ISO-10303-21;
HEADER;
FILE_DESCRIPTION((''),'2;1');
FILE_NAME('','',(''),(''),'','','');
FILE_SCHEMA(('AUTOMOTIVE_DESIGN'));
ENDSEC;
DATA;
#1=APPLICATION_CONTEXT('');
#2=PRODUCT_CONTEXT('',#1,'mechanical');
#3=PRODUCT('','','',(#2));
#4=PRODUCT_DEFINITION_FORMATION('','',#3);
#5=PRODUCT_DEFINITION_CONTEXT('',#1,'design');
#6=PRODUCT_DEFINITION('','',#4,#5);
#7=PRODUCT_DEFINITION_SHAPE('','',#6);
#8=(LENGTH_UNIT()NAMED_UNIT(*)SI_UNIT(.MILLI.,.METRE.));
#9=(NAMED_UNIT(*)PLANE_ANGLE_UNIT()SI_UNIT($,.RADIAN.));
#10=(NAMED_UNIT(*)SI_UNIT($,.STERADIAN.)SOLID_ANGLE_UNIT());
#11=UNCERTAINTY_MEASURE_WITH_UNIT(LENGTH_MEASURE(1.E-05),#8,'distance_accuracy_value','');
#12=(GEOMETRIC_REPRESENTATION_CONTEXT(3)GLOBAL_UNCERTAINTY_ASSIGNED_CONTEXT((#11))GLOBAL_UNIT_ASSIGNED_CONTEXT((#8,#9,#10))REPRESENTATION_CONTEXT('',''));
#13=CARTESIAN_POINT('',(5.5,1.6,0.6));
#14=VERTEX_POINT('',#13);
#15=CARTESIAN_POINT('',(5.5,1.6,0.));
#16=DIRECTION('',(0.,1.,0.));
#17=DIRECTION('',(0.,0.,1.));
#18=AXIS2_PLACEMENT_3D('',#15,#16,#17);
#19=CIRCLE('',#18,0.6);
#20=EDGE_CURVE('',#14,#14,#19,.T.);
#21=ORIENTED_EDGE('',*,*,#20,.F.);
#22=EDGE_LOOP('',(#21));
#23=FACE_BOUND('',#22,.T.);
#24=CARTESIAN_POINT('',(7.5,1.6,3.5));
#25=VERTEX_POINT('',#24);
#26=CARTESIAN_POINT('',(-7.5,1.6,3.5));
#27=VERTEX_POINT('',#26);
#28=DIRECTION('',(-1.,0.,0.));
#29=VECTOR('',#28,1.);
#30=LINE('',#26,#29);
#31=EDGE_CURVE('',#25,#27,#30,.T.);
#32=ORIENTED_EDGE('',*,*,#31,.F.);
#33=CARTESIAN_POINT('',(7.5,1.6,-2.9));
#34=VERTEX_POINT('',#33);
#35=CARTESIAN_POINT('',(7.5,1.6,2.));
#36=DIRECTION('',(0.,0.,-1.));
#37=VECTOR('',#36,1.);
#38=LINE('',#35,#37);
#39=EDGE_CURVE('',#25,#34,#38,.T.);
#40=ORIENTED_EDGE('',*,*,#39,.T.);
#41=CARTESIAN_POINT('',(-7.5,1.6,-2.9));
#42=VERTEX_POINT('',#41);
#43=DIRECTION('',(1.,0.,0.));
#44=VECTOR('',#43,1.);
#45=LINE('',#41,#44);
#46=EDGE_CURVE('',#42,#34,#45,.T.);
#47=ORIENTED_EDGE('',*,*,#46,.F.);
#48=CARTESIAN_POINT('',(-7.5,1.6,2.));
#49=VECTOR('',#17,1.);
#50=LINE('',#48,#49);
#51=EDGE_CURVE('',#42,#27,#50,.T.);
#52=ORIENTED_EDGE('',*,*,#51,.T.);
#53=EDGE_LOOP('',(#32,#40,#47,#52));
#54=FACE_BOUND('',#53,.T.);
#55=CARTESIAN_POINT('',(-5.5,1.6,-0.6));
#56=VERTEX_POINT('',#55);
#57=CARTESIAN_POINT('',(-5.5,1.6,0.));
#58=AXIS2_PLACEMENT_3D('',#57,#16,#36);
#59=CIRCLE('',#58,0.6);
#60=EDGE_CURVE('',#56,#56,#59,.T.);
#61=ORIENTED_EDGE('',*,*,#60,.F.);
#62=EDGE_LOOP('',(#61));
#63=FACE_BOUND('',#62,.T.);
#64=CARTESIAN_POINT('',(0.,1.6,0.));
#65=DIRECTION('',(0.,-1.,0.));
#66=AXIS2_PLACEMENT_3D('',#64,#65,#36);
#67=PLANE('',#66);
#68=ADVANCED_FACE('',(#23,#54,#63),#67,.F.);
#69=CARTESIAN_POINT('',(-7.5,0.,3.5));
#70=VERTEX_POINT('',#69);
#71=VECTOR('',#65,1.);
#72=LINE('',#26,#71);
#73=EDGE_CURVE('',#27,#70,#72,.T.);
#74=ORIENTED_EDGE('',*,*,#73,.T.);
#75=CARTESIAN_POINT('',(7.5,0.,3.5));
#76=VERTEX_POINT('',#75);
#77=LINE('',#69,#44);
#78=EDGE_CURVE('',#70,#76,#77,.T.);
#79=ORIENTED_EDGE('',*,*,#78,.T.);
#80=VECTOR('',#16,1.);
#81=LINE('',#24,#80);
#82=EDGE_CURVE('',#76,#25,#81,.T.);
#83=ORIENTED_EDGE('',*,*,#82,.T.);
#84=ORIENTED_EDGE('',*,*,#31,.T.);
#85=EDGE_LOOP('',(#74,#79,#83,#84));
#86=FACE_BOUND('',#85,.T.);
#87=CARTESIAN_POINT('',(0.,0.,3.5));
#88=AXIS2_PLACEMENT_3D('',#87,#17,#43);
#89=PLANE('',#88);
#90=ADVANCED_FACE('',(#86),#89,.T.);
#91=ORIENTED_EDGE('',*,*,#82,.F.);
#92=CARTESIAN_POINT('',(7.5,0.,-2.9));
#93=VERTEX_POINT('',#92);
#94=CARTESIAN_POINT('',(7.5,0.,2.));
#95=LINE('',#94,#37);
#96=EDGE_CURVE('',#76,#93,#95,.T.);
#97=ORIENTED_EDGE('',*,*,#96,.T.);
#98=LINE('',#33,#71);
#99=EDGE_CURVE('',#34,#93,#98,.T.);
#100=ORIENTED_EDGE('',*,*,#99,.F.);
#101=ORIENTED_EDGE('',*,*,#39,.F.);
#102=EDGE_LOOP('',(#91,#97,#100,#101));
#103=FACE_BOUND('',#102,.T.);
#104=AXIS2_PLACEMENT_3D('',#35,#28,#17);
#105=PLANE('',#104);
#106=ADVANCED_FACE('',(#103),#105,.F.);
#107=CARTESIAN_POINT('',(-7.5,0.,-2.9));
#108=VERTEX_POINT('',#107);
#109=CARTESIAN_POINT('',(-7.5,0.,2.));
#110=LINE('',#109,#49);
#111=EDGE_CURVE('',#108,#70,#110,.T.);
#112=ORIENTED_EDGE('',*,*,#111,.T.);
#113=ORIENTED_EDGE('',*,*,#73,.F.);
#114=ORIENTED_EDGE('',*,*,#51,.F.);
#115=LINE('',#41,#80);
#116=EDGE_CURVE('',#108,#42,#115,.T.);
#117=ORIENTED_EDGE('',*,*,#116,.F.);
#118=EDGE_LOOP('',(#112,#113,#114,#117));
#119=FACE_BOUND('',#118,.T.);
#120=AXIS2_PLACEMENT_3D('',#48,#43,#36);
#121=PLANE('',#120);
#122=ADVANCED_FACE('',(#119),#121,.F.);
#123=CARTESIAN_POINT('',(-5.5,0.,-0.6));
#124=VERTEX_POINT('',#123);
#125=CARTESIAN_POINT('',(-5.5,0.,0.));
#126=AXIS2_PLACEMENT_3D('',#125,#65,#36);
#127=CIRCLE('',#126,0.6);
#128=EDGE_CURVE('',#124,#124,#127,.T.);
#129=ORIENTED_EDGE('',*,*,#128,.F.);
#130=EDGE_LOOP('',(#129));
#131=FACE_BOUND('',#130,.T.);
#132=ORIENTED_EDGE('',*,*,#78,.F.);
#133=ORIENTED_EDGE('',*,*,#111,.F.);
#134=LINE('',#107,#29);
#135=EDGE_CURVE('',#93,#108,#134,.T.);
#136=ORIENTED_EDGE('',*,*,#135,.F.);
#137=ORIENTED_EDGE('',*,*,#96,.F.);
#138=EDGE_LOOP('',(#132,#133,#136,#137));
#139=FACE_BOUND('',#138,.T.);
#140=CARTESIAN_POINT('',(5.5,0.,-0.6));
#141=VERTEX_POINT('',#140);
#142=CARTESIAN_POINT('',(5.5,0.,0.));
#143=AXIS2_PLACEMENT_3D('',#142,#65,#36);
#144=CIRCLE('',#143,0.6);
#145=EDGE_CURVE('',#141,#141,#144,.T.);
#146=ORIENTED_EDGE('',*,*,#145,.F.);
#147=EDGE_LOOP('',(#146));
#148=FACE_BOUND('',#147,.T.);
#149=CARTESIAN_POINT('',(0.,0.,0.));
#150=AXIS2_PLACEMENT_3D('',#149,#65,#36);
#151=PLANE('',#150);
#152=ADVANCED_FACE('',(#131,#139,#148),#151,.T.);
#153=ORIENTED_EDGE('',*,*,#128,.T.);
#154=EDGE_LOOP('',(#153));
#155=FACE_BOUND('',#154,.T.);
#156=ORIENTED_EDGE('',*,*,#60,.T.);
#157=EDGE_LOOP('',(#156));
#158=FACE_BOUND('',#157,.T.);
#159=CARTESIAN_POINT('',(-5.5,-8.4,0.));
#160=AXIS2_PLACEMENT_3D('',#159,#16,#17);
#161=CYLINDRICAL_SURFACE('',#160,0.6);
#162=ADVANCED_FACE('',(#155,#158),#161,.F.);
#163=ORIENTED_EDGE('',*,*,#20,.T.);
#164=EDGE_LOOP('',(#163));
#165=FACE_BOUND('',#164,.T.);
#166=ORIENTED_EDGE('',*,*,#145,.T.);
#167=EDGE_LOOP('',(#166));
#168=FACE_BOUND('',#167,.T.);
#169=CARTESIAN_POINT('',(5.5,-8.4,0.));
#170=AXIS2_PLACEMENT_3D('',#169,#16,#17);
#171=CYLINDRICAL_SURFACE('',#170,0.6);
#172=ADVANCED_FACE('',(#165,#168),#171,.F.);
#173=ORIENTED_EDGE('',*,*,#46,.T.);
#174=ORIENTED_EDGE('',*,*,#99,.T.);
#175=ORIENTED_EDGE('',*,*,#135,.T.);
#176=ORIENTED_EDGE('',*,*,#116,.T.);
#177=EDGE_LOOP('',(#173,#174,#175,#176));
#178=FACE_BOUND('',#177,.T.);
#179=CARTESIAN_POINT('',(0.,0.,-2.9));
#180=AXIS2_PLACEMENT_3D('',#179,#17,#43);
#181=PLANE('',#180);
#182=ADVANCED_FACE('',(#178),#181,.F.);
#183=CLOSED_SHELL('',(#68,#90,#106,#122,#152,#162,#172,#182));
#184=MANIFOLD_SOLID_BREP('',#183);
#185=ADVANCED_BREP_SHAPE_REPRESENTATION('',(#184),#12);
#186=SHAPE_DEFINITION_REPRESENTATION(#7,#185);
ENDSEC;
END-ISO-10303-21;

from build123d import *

# Parameters (mm, degrees)
SKETCH1_W           = 15
SKETCH1_H           = 4
BOSS_EXTRUDE1_DEPTH = 1.6
SKETCH5_W           = 15
SKETCH5_H           = 1.6
BOSS_EXTRUDE4_DEPTH = 1.5
SKETCH6_W           = 15
SKETCH6_H           = 1.6
BOSS_EXTRUDE5_DEPTH = 0.9
SKETCH8_R           = 0.6
CUT_EXTRUDE1_DEPTH  = 10


with BuildPart() as part:
    # Sketch1 → Boss-Extrude1 (new body)
    with BuildSketch(Plane(origin=(0, 0, 0), x_dir=(1, 0, 0), z_dir=(0, 1, 0))):
        Rectangle(SKETCH1_W, SKETCH1_H)
    extrude(amount=BOSS_EXTRUDE1_DEPTH)

    # Sketch5 → Boss-Extrude4 (add)
    with BuildSketch(Plane.XY.offset(2)):
        with Locations((0, 0.8)):
            Rectangle(SKETCH5_W, SKETCH5_H)
    extrude(amount=BOSS_EXTRUDE4_DEPTH)

    # Sketch6 → Boss-Extrude5 (add)
    with BuildSketch(Plane(origin=(0, 0, -2), x_dir=(-1, 0, 0), z_dir=(0, 0, -1))):
        with Locations((0, 0.8)):
            Rectangle(SKETCH6_W, SKETCH6_H)
    extrude(amount=BOSS_EXTRUDE5_DEPTH)

    # Sketch8 → Cut-Extrude1 (cut)
    with BuildSketch(Plane(origin=(0, 1.6, 0), x_dir=(1, 0, 0), z_dir=(0, 1, 0))):
        with Locations((5.5, 0)):
            Circle(SKETCH8_R)
        with Locations((-5.5, 0)):
            Circle(SKETCH8_R)
    extrude(amount=-CUT_EXTRUDE1_DEPTH, mode=Mode.SUBTRACT)


solid = part.part
